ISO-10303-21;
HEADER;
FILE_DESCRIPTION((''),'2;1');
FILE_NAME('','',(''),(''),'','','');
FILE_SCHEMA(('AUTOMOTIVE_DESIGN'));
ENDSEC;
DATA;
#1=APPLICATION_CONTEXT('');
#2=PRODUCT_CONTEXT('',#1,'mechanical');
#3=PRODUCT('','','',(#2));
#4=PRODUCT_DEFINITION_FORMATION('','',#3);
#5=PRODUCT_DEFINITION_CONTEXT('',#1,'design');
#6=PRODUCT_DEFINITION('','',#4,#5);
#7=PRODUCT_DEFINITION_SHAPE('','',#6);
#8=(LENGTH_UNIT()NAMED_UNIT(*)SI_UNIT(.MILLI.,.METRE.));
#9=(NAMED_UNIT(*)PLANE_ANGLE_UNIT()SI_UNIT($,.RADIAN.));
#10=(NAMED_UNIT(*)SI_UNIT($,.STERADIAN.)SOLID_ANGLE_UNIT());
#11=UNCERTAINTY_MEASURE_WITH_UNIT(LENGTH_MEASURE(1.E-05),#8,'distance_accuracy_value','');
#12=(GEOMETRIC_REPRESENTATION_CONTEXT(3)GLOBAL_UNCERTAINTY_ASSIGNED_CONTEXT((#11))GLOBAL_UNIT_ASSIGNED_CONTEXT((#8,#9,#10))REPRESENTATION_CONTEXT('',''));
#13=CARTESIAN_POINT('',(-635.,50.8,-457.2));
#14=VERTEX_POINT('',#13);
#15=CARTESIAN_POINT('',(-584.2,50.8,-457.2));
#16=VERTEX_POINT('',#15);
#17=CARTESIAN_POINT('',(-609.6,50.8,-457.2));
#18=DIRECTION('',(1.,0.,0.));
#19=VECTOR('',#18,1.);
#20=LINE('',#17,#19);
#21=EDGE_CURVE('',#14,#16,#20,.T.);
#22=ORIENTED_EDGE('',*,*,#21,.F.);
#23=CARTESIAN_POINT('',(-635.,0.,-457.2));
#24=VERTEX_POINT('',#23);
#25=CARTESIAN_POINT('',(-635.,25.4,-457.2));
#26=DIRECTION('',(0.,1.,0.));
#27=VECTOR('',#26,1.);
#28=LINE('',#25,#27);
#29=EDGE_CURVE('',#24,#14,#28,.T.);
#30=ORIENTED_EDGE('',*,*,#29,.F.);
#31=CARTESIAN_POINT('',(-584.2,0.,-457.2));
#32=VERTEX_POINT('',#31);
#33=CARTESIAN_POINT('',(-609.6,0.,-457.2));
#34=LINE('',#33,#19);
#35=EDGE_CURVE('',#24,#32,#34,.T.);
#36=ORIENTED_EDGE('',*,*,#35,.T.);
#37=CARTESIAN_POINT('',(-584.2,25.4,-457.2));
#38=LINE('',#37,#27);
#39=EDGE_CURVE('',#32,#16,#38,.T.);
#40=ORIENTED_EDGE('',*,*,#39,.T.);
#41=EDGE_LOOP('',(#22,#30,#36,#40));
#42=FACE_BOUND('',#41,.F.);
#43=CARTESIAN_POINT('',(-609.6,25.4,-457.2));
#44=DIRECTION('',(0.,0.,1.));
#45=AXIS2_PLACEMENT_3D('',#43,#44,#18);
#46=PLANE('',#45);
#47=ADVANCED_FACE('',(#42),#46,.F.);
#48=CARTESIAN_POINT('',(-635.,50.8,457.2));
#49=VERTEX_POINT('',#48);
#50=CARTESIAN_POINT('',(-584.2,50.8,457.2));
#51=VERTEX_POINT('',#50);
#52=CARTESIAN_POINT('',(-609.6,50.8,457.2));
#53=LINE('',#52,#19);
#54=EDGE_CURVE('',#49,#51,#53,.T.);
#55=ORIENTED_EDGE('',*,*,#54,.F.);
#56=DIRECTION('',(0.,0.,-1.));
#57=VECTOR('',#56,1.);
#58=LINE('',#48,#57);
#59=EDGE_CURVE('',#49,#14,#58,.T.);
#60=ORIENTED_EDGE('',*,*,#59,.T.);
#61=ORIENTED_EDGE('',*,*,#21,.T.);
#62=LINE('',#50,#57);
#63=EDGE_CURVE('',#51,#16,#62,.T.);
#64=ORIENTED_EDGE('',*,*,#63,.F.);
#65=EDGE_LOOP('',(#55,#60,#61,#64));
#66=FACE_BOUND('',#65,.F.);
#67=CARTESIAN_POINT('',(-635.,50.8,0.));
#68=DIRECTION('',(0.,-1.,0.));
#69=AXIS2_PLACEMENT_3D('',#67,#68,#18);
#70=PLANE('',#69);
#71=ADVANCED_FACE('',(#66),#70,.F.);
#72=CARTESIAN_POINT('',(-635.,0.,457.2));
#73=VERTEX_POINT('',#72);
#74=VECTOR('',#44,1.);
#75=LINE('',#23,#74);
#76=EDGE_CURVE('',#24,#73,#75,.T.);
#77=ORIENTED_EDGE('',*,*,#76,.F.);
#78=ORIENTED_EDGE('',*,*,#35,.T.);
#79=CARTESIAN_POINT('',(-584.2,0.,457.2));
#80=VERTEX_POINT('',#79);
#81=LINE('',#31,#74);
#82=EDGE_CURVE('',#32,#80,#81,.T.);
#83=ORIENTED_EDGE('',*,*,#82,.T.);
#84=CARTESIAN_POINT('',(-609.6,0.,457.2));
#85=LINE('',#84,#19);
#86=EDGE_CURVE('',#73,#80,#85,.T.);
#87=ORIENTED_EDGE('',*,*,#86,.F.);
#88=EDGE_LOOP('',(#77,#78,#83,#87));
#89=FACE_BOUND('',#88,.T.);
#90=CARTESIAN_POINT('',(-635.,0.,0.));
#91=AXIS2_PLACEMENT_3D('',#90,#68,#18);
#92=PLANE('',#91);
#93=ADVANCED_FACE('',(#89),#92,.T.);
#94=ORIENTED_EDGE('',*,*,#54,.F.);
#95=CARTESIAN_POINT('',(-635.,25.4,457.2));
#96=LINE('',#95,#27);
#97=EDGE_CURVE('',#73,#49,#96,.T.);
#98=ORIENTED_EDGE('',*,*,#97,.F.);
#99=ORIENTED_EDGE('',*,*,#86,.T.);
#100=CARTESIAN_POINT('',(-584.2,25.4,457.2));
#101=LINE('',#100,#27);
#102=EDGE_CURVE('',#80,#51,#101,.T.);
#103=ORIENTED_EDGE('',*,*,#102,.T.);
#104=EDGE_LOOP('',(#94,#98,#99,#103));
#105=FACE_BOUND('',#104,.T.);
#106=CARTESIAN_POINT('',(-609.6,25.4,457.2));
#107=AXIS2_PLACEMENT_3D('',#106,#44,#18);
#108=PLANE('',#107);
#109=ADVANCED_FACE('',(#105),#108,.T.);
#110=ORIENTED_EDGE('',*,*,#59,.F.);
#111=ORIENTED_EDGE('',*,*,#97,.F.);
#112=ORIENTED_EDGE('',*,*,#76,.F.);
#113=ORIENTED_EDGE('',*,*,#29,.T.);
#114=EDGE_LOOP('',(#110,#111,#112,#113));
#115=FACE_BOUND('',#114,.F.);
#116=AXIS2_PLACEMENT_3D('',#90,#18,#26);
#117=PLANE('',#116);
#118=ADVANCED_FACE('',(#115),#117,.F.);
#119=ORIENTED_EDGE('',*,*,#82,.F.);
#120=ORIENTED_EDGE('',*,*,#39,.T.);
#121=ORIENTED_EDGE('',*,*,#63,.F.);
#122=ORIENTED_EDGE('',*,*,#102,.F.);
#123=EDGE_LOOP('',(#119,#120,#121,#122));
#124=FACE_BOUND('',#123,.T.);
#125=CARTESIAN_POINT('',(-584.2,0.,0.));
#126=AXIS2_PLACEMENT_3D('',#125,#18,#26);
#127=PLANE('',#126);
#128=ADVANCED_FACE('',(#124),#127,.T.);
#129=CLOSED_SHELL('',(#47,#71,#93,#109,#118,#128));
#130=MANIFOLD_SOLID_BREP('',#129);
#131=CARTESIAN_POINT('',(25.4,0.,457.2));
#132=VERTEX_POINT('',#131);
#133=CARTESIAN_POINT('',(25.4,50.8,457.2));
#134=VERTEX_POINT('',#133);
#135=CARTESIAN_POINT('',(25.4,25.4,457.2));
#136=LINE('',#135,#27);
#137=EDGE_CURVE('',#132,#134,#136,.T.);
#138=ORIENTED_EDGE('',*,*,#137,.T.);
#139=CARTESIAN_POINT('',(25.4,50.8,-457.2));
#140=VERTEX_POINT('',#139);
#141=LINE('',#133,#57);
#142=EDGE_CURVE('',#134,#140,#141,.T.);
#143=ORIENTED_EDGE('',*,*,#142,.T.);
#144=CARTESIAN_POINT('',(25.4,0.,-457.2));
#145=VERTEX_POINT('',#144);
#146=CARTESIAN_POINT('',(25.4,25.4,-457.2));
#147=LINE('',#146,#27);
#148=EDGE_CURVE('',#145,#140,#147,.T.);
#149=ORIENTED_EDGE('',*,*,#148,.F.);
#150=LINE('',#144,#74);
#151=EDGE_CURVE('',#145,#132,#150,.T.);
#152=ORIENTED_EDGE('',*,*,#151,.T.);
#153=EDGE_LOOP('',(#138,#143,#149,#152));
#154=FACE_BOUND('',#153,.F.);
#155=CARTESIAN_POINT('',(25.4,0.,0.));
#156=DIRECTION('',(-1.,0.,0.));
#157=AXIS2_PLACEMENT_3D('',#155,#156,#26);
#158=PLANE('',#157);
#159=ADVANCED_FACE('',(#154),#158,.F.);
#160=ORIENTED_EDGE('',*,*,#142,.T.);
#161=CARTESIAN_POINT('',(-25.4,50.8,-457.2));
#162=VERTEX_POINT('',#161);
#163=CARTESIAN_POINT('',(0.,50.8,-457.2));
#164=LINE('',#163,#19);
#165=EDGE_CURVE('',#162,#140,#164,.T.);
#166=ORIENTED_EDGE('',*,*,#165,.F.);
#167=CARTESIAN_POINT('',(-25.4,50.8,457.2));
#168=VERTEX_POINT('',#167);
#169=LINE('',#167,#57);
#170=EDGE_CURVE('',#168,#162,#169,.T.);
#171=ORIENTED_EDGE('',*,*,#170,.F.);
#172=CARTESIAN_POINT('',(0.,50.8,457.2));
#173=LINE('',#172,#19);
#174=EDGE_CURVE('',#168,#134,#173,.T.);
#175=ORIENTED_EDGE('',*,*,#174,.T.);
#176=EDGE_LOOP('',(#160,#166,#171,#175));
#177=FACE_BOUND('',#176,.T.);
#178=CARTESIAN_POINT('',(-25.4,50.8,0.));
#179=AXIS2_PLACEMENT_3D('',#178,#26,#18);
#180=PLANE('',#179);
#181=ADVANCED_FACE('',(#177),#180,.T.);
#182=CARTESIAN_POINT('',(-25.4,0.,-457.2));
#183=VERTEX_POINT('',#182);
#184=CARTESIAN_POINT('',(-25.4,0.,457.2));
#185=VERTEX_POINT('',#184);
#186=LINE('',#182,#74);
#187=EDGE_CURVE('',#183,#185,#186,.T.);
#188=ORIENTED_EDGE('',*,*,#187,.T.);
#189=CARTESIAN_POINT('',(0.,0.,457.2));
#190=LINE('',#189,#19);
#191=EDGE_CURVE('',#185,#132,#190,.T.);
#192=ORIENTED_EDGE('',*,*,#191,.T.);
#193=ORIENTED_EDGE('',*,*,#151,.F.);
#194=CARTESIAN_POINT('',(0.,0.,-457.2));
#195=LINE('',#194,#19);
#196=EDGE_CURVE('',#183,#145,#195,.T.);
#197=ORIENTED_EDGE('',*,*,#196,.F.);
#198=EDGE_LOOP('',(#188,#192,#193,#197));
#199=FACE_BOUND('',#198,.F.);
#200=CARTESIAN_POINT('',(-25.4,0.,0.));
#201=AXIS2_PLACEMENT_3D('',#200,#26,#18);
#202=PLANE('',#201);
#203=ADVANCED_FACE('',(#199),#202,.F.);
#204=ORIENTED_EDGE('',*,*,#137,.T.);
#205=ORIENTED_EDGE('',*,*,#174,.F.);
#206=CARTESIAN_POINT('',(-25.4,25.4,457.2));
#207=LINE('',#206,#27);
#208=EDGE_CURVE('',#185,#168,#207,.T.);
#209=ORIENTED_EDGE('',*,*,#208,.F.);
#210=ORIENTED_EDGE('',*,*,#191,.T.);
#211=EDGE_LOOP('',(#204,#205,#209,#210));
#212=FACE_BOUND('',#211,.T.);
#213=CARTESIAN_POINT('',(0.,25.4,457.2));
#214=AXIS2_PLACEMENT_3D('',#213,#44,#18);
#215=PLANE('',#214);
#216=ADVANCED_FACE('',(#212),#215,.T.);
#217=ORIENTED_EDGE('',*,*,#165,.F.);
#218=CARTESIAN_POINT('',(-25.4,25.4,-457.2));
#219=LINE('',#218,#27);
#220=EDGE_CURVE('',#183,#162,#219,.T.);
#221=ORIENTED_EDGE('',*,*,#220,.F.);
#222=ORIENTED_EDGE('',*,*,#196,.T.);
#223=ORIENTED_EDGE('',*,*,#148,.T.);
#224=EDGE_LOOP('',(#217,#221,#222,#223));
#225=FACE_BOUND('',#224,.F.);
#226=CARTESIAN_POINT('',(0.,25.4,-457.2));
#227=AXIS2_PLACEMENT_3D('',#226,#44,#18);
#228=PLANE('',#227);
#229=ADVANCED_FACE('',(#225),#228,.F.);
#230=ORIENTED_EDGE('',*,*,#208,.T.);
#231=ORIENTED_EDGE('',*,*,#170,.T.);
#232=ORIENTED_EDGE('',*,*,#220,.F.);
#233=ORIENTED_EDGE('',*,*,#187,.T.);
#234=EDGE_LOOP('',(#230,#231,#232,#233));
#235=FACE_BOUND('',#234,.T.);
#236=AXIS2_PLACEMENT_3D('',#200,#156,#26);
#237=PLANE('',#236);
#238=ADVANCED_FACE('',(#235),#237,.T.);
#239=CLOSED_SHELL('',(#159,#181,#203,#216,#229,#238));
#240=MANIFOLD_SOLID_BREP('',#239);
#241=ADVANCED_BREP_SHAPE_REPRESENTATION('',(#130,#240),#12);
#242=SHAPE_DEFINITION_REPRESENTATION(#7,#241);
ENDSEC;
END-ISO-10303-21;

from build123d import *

# Parameters (mm, degrees)
F0_W     = 50.8
F0_H     = 50.8
F1_DEPTH = 457.2


with BuildPart() as f1:
    # F0 (on Top) → F1 (new body, symmetric)
    with BuildSketch(Plane.XY):
        with Locations((0, 25.4)):
            Rectangle(F0_W, F0_H)
        with Locations((-609.6, 25.4)):
            Rectangle(F0_W, F0_H)
    extrude(amount=F1_DEPTH, both=True)


solid = f1.part
